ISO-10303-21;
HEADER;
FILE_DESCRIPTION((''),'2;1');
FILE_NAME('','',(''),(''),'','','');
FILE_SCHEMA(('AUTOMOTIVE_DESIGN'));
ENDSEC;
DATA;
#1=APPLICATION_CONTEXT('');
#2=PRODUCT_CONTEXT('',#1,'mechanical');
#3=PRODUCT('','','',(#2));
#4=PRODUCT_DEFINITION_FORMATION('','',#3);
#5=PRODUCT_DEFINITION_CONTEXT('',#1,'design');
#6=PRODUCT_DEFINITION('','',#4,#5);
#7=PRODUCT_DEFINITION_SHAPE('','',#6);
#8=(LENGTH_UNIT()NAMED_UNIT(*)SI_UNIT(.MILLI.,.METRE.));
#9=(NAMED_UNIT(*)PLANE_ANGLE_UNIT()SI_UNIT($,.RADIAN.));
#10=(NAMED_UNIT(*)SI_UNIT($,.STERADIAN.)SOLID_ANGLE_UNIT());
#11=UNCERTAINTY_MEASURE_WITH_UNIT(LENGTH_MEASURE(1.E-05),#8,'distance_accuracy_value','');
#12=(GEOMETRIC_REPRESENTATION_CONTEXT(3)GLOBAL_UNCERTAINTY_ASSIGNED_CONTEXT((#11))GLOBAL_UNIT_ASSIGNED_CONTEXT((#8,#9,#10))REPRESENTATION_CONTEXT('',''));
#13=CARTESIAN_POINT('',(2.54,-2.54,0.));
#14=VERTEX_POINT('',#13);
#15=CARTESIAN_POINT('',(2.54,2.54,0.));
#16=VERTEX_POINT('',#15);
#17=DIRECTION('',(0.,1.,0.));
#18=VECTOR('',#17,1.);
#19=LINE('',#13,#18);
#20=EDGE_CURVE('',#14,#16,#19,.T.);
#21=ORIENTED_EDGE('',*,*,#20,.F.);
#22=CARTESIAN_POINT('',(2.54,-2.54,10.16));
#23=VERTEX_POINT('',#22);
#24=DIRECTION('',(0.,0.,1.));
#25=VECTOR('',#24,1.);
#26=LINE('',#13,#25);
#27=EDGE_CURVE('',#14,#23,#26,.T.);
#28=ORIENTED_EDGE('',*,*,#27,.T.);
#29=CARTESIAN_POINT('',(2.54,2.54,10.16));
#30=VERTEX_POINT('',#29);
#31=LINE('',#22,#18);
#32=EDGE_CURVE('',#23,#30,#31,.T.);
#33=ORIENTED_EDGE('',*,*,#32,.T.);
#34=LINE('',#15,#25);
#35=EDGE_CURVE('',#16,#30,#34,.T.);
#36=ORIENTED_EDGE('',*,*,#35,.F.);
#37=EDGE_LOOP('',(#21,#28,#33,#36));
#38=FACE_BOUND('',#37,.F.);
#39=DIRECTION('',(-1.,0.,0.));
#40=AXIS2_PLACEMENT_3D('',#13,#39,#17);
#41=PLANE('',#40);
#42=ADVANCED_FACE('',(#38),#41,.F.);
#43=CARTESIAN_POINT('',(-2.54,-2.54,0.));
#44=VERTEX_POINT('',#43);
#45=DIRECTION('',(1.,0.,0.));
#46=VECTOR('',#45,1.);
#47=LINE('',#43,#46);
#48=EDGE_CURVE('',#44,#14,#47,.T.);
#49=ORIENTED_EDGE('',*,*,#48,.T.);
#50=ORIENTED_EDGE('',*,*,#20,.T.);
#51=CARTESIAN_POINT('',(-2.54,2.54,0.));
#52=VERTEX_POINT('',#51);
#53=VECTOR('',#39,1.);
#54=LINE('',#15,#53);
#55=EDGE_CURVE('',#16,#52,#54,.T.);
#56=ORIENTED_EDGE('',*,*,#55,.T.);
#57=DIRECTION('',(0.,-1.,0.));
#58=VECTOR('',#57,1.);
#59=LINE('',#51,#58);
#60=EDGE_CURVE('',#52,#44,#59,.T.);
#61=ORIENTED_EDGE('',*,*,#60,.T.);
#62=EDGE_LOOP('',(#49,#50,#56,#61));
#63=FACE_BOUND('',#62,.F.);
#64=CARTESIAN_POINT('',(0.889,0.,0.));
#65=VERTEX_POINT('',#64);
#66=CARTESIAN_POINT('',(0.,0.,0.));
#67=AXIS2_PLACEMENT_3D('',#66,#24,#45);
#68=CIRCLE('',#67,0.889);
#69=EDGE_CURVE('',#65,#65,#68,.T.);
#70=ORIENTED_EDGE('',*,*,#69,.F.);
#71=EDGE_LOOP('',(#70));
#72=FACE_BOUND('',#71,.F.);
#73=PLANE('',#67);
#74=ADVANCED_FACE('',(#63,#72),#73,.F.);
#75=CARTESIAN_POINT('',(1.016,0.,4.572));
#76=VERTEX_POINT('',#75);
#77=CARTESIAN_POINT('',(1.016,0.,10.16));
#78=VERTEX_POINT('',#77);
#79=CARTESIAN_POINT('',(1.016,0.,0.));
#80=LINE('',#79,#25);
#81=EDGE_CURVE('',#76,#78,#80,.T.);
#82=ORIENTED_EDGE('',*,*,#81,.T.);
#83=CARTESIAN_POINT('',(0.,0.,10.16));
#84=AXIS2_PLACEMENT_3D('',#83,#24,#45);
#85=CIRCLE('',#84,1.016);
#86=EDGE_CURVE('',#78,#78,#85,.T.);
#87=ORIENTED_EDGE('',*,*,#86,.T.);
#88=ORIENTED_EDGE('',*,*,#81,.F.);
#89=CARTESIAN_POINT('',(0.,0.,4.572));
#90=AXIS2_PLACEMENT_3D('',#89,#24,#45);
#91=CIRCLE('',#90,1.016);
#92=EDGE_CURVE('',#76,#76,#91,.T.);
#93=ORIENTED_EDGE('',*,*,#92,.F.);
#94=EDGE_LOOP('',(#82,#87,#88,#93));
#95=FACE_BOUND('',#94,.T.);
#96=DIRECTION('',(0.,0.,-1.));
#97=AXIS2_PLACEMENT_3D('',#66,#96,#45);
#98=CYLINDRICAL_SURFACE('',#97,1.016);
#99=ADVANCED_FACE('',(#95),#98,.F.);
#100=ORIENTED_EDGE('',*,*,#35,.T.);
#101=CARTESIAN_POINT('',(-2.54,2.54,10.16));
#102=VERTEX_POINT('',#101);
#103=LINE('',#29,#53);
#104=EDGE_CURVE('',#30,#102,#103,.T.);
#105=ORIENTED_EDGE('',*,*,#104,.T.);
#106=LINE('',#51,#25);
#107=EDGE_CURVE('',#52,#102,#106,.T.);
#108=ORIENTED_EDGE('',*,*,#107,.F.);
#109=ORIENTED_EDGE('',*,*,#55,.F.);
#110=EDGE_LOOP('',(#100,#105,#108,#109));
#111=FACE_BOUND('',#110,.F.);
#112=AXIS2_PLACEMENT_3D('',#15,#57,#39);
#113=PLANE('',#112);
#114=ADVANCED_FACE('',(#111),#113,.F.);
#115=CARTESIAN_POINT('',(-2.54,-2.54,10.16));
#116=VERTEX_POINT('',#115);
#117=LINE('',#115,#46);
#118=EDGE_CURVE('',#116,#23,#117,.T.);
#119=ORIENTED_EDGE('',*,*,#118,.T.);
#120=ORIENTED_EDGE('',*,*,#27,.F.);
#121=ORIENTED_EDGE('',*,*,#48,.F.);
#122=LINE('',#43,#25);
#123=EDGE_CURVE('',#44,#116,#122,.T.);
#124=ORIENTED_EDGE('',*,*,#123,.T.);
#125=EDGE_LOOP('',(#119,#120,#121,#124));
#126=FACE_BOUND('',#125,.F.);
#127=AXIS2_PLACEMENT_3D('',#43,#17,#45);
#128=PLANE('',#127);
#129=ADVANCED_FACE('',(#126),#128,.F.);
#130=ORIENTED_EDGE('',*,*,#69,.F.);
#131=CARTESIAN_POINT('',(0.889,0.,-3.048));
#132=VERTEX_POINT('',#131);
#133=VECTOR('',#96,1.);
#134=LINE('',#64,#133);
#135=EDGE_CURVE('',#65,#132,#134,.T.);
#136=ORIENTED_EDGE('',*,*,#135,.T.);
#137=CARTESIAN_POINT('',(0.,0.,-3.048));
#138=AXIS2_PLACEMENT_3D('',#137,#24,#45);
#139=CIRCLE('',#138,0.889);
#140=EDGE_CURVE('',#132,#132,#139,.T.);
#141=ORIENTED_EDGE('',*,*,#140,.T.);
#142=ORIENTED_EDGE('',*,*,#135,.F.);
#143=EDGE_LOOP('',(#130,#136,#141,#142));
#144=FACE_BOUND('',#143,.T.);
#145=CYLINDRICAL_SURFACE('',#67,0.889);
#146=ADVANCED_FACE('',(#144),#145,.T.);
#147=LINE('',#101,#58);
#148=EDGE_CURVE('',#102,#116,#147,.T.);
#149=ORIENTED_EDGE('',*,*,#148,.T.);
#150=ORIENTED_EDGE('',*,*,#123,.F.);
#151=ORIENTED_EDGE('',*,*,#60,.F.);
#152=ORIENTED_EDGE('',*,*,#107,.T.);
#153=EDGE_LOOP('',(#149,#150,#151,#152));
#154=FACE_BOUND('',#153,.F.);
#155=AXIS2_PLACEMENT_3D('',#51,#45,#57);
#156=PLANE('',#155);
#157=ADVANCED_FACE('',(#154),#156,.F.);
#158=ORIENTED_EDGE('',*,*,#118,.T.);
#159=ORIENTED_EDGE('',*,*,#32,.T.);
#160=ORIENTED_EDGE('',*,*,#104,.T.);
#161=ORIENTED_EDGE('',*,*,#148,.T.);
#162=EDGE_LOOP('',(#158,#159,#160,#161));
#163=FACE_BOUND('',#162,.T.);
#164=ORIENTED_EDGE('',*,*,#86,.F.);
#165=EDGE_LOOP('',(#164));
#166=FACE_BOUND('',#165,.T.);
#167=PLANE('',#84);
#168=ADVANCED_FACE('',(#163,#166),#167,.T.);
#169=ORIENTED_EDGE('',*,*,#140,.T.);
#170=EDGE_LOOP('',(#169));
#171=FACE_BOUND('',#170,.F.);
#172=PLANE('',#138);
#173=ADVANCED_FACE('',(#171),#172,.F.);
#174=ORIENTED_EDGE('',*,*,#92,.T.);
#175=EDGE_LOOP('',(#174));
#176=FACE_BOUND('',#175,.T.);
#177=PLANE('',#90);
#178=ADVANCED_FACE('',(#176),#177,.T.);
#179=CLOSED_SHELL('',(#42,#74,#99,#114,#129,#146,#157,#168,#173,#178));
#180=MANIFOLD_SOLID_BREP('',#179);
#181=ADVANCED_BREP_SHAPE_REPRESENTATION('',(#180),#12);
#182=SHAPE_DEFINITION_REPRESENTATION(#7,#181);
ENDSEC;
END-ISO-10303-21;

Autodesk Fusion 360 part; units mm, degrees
sketch "Sketch1" plane through (0, 0, 0) normal (0, 0, 1) x (1, 0, 0)
  circle A0 centre (0, 0) radius 1.016
  circle A1 centre (0, 0) radius 0.889
  line L0 (2.54, 2.54) -> (-2.54, 2.54)
  line L1 (-2.54, 2.54) -> (-2.54, -2.54)
  line L2 (-2.54, -2.54) -> (2.54, -2.54)
  line L3 (2.54, -2.54) -> (2.54, 2.54)
  line L4 (2.54, 2.54) -> (-2.54, -2.54) construction
  line L5 (-2.54, 2.54) -> (2.54, -2.54) construction
  dimension "d2" = 2.032
  dimension "d7" = 1.778
  dimension "d10" = 5.08
  dimension "d11" = 5.08
extrude "Extrude1" add sketch "Sketch1" along normal blind 10.16 contours L0 L1 L2 L3
extrude "Extrude2" add sketch "Sketch1" along normal blind 4.572 contours A0 | A1
extrude "Extrude3" add sketch "Sketch1" against normal blind 3.048 contours A1
